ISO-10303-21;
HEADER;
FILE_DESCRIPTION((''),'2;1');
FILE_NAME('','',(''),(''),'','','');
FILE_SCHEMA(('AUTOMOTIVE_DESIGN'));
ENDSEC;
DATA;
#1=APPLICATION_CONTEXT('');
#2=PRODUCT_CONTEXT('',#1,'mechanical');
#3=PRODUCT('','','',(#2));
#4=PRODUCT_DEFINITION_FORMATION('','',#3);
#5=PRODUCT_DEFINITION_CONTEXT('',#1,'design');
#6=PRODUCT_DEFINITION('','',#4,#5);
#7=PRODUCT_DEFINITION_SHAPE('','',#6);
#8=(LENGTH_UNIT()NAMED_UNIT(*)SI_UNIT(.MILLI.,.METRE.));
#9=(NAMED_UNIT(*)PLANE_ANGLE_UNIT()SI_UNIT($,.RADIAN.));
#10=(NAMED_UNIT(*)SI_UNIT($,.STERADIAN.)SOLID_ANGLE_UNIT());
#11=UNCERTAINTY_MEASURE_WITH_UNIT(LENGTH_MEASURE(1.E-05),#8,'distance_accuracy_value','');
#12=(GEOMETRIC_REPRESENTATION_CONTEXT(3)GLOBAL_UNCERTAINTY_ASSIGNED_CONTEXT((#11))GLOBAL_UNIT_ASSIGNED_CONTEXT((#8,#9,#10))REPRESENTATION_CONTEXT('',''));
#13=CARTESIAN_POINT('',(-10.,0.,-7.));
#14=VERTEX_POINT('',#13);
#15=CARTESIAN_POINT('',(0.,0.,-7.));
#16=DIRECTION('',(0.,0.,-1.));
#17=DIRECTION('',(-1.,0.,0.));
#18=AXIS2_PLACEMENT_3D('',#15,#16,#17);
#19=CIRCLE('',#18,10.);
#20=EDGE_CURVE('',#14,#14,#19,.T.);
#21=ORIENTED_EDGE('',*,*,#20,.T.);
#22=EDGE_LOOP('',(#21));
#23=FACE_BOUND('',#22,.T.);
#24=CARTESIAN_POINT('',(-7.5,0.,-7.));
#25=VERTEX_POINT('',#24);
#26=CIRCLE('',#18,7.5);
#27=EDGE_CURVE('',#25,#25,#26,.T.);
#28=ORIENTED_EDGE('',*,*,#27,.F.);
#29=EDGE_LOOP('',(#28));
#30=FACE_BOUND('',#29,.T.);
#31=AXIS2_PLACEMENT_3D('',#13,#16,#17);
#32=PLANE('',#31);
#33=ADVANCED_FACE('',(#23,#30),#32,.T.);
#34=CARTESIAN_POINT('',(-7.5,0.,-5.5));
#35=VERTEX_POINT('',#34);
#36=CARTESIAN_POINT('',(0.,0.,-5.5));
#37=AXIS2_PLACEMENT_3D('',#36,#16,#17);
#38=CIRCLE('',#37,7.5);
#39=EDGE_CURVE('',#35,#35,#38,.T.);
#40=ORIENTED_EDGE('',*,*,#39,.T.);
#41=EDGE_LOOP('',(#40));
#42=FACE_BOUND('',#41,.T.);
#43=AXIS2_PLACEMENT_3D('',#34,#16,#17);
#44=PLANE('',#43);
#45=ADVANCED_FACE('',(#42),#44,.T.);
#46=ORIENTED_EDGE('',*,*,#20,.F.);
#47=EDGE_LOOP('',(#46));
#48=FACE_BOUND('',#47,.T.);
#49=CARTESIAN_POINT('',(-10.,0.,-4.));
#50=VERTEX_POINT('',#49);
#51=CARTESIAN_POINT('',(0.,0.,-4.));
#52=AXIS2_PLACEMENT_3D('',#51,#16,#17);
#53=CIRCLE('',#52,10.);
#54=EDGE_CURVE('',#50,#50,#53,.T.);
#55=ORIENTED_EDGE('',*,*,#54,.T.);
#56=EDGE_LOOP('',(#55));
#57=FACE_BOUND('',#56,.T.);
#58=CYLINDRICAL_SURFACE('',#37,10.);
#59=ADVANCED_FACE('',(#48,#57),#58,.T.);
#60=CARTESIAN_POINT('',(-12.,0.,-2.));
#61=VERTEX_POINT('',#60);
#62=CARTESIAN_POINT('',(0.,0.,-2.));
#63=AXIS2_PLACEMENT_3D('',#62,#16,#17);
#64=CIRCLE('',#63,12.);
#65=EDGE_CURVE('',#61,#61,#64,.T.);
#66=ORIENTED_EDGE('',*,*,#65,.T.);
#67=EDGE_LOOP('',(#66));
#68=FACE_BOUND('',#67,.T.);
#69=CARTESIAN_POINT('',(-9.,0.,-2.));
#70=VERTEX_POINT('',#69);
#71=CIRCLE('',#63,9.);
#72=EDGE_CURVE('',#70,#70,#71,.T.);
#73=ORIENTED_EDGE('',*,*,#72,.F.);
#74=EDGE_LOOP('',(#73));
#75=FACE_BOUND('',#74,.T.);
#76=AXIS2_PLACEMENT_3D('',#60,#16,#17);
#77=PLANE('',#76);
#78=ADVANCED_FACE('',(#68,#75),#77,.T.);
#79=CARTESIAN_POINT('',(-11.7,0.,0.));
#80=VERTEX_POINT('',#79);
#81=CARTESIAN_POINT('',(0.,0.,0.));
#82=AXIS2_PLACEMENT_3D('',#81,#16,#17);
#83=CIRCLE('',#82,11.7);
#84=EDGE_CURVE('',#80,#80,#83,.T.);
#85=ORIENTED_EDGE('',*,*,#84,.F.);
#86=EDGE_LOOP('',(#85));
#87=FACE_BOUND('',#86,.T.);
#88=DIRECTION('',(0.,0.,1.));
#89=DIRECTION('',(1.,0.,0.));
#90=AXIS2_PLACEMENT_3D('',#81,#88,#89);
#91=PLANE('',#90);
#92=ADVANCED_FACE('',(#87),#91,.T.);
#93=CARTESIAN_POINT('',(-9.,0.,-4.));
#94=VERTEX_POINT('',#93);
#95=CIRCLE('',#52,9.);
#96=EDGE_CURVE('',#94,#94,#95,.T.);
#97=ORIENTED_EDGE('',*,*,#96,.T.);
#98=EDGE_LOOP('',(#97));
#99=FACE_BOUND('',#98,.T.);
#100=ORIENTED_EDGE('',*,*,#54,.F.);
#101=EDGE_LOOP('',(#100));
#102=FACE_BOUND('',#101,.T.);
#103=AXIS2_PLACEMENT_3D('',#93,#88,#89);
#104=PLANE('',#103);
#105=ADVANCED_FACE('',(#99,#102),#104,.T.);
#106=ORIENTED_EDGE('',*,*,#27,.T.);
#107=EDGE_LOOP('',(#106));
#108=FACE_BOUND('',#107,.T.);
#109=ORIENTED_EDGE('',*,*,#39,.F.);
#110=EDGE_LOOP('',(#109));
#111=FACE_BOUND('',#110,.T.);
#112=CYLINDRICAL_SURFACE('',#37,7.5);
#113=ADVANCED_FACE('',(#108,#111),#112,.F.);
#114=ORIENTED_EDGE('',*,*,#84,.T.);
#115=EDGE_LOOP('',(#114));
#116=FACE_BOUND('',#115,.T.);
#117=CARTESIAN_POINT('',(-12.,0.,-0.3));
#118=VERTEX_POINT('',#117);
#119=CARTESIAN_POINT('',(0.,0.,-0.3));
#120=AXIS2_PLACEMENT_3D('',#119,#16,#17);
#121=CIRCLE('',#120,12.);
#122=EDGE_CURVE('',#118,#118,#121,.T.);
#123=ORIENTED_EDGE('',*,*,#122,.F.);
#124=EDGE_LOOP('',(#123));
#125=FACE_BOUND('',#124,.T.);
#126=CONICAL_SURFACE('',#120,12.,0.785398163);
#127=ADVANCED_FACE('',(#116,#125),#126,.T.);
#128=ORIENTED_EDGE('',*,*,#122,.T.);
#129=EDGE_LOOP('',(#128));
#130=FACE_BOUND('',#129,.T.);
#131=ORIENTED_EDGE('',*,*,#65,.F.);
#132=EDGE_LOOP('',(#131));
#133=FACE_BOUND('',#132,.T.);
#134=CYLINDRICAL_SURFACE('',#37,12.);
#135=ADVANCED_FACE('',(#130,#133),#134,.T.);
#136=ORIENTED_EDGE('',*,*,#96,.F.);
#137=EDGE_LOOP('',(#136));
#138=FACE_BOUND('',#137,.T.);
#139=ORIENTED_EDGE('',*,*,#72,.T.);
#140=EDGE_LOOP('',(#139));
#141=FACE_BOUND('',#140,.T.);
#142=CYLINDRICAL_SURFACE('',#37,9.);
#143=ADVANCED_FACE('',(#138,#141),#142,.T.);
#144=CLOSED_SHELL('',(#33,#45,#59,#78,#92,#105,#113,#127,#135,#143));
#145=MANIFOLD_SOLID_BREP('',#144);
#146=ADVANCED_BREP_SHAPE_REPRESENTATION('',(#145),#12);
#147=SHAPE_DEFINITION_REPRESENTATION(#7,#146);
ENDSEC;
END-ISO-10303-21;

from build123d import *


with BuildPart() as part:
    # Эскиз2 → Повернуть1 (revolve)
    with BuildSketch(Plane(origin=(0, 0, 0), x_dir=(1, 0, 0), z_dir=(0, 1, 0))):
        Polygon((0, 0), (-11.7, 0), (-12, 0.3), (-12, 2), (-9, 2), (-9, 4), (-10, 4), (-10, 7), (-7.5, 7), (-7.5, 5.5), (0, 5.5), align=None)
    revolve(axis=Axis((0, 0, -5.5), (0, 0, 1)))


solid = part.part
